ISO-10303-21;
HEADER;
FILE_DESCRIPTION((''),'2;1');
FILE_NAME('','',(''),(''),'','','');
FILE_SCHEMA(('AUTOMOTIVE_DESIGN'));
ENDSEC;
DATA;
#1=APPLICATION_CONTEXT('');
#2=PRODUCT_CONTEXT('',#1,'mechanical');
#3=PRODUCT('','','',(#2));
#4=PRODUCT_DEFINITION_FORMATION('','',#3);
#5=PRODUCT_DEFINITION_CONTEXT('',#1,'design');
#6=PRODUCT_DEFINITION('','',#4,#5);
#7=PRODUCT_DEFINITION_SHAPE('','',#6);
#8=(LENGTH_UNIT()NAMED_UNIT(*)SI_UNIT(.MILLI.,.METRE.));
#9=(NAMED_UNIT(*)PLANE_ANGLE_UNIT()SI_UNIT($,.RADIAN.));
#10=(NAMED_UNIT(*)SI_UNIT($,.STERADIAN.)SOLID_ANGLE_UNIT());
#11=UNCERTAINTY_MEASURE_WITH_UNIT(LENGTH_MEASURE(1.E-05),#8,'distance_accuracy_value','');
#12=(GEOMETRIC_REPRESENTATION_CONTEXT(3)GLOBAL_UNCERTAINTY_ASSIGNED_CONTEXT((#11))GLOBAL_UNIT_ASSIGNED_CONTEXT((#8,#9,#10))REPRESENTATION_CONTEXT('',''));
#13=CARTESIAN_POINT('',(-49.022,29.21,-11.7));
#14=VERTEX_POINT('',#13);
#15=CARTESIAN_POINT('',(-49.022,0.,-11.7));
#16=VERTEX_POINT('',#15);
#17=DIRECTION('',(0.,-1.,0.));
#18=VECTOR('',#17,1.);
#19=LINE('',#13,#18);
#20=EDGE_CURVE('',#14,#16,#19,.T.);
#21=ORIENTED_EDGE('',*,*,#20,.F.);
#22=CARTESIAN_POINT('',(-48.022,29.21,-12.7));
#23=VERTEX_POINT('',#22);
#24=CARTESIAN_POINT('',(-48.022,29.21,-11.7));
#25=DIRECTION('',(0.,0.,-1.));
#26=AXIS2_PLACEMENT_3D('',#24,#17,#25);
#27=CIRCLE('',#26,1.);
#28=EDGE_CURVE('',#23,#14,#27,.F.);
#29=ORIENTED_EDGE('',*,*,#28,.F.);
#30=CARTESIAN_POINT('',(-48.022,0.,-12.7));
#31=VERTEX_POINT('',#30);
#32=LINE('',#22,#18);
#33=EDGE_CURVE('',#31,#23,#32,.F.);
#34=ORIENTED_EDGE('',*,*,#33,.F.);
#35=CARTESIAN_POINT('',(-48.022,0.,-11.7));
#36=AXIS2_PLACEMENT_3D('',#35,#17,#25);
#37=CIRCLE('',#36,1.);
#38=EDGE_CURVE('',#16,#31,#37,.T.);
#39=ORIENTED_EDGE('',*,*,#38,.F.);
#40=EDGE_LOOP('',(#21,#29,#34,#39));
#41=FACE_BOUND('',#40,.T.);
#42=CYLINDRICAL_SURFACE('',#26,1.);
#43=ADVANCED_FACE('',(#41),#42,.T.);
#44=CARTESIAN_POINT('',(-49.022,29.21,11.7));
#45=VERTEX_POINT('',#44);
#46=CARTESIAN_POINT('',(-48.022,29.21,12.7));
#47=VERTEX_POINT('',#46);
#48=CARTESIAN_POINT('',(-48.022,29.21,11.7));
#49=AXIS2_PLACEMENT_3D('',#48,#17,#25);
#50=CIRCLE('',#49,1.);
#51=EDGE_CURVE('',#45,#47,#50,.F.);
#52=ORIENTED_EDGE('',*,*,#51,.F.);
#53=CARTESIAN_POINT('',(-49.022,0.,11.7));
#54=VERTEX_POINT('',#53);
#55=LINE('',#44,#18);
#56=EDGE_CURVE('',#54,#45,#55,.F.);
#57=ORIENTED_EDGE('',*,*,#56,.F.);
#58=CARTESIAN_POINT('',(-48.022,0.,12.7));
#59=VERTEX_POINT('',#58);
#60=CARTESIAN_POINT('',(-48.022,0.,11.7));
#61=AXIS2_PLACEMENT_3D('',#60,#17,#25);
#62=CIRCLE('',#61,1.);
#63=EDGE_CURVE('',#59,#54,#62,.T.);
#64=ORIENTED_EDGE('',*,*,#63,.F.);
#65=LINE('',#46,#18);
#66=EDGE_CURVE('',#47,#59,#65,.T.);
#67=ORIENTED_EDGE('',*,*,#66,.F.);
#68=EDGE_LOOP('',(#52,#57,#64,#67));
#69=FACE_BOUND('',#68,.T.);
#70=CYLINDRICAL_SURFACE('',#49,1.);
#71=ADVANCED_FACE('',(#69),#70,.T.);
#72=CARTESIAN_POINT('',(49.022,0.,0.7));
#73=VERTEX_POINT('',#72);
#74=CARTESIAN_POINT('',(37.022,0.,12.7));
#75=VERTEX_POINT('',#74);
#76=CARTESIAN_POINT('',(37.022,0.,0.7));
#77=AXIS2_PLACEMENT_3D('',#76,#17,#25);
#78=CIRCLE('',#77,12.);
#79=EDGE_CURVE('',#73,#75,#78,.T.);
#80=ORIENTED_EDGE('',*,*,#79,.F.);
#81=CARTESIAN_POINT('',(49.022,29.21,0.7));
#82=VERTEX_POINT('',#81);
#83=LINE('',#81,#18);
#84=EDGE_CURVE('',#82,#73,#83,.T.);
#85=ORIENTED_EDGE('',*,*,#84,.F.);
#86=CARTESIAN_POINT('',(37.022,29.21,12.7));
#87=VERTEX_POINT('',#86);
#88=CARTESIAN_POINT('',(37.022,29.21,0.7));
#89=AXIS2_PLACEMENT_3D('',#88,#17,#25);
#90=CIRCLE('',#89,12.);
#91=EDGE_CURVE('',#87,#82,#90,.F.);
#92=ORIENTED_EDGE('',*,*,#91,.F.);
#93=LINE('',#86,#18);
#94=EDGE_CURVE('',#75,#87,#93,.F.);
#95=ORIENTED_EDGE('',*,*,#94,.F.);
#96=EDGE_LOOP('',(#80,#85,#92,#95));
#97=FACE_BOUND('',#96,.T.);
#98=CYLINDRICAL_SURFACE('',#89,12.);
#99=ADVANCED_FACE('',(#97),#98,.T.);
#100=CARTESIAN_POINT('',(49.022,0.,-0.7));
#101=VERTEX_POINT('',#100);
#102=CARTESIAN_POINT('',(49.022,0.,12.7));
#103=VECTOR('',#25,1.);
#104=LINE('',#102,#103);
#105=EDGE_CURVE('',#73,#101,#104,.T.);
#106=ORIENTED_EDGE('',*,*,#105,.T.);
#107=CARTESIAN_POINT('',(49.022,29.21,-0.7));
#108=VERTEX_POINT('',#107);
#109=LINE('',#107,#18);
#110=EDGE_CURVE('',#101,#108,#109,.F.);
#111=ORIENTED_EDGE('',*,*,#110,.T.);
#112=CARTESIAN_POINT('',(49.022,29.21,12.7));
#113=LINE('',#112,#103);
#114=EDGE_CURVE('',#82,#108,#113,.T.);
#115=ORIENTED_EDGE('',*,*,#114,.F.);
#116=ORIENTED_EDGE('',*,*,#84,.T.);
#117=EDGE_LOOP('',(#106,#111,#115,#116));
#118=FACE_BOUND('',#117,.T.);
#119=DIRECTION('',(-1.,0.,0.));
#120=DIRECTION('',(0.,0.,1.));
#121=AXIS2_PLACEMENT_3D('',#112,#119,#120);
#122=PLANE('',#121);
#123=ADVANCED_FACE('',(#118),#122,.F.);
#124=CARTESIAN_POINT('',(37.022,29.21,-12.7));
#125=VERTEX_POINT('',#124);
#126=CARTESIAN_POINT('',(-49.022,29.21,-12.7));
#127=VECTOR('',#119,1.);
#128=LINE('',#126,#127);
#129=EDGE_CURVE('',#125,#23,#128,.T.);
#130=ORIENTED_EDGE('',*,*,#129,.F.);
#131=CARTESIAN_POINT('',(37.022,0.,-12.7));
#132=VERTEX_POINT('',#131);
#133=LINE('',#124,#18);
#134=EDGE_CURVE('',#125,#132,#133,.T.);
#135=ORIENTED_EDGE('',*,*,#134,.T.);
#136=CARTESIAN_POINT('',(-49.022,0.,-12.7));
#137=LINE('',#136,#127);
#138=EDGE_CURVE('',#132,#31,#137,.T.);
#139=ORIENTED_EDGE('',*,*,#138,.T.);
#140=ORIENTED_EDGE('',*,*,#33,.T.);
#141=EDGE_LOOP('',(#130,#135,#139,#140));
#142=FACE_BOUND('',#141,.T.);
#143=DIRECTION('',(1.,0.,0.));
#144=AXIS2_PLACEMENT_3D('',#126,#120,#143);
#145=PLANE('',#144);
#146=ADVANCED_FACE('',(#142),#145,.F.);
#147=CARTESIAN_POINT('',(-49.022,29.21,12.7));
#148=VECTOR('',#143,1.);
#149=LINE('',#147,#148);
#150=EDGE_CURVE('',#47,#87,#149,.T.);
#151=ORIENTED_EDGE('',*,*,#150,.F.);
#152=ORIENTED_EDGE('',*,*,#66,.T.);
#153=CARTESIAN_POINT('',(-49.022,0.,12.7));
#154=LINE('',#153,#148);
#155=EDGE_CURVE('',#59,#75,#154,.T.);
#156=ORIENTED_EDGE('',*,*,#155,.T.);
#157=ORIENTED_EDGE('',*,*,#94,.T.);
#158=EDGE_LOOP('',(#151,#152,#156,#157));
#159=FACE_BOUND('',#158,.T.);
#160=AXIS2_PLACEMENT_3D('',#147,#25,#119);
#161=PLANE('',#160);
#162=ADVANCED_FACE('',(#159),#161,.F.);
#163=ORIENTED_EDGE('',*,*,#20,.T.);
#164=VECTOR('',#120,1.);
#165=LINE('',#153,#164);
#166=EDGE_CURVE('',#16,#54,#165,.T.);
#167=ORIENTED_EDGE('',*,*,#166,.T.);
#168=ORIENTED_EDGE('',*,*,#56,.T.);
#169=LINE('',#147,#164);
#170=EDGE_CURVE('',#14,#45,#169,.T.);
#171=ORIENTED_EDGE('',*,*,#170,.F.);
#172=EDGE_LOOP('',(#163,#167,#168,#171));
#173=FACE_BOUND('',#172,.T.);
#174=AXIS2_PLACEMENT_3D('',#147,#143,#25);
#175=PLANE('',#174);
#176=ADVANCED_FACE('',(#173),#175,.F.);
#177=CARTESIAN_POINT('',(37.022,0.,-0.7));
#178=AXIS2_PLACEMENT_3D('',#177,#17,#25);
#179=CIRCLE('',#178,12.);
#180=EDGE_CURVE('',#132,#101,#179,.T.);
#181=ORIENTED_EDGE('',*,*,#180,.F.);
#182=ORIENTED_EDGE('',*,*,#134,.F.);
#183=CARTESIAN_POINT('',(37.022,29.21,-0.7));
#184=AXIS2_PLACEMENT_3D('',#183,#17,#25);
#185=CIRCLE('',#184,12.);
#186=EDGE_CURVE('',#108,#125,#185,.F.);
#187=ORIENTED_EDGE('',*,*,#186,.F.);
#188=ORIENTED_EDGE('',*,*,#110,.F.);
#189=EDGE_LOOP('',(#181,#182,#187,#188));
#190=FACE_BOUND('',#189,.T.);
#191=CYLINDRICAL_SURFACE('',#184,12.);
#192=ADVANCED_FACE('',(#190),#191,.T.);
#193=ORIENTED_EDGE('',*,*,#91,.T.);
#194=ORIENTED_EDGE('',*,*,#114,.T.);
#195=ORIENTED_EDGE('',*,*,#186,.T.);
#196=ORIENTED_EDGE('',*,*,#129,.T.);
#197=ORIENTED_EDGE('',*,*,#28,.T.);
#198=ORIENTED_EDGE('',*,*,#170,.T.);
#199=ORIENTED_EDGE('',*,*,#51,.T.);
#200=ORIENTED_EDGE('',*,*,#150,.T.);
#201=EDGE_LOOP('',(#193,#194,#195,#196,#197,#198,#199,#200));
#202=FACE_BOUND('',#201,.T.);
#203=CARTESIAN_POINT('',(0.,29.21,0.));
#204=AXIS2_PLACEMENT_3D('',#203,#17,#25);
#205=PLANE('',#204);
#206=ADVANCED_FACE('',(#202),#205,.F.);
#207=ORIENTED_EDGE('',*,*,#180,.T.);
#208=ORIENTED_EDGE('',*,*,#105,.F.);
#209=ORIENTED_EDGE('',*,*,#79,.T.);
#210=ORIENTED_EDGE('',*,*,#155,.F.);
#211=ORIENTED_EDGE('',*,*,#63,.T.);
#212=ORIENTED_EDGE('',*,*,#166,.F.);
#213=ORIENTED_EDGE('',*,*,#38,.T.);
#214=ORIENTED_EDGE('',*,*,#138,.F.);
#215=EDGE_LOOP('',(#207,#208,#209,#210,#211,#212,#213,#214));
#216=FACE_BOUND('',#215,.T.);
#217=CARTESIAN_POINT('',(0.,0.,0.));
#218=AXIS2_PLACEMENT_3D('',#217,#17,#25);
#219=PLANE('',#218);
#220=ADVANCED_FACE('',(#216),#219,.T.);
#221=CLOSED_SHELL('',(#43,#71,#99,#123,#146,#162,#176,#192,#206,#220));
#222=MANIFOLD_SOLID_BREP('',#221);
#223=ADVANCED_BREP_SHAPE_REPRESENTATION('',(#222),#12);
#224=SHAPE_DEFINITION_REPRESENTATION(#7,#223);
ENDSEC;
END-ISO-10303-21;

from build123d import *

# Parameters (mm, degrees)
SKETCH1_W           = 98.044
SKETCH1_H           = 25.4
BOSS_EXTRUDE1_DEPTH = 29.21
FILLET1_R           = 12
FILLET2_R           = 1


with BuildPart() as part:
    # Sketch1 → Boss-Extrude1 (new body)
    with BuildSketch(Plane(origin=(0, 0, 0), x_dir=(1, 0, 0), z_dir=(0, 1, 0))):
        Rectangle(SKETCH1_W, SKETCH1_H)
    extrude(amount=BOSS_EXTRUDE1_DEPTH)

    # Fillet1
    fillet1_edges = [part.edges().sort_by_distance(p)[0] for p in [
        (49.022, 14.605, 12.7),
        (49.022, 14.605, -12.7),
    ]]
    fillet(fillet1_edges, radius=FILLET1_R)

    # Fillet2
    fillet2_edges = [part.edges().sort_by_distance(p)[0] for p in [
        (-49.022, 14.605, 12.7),
        (-49.022, 14.605, -12.7),
    ]]
    fillet(fillet2_edges, radius=FILLET2_R)


solid = part.part
